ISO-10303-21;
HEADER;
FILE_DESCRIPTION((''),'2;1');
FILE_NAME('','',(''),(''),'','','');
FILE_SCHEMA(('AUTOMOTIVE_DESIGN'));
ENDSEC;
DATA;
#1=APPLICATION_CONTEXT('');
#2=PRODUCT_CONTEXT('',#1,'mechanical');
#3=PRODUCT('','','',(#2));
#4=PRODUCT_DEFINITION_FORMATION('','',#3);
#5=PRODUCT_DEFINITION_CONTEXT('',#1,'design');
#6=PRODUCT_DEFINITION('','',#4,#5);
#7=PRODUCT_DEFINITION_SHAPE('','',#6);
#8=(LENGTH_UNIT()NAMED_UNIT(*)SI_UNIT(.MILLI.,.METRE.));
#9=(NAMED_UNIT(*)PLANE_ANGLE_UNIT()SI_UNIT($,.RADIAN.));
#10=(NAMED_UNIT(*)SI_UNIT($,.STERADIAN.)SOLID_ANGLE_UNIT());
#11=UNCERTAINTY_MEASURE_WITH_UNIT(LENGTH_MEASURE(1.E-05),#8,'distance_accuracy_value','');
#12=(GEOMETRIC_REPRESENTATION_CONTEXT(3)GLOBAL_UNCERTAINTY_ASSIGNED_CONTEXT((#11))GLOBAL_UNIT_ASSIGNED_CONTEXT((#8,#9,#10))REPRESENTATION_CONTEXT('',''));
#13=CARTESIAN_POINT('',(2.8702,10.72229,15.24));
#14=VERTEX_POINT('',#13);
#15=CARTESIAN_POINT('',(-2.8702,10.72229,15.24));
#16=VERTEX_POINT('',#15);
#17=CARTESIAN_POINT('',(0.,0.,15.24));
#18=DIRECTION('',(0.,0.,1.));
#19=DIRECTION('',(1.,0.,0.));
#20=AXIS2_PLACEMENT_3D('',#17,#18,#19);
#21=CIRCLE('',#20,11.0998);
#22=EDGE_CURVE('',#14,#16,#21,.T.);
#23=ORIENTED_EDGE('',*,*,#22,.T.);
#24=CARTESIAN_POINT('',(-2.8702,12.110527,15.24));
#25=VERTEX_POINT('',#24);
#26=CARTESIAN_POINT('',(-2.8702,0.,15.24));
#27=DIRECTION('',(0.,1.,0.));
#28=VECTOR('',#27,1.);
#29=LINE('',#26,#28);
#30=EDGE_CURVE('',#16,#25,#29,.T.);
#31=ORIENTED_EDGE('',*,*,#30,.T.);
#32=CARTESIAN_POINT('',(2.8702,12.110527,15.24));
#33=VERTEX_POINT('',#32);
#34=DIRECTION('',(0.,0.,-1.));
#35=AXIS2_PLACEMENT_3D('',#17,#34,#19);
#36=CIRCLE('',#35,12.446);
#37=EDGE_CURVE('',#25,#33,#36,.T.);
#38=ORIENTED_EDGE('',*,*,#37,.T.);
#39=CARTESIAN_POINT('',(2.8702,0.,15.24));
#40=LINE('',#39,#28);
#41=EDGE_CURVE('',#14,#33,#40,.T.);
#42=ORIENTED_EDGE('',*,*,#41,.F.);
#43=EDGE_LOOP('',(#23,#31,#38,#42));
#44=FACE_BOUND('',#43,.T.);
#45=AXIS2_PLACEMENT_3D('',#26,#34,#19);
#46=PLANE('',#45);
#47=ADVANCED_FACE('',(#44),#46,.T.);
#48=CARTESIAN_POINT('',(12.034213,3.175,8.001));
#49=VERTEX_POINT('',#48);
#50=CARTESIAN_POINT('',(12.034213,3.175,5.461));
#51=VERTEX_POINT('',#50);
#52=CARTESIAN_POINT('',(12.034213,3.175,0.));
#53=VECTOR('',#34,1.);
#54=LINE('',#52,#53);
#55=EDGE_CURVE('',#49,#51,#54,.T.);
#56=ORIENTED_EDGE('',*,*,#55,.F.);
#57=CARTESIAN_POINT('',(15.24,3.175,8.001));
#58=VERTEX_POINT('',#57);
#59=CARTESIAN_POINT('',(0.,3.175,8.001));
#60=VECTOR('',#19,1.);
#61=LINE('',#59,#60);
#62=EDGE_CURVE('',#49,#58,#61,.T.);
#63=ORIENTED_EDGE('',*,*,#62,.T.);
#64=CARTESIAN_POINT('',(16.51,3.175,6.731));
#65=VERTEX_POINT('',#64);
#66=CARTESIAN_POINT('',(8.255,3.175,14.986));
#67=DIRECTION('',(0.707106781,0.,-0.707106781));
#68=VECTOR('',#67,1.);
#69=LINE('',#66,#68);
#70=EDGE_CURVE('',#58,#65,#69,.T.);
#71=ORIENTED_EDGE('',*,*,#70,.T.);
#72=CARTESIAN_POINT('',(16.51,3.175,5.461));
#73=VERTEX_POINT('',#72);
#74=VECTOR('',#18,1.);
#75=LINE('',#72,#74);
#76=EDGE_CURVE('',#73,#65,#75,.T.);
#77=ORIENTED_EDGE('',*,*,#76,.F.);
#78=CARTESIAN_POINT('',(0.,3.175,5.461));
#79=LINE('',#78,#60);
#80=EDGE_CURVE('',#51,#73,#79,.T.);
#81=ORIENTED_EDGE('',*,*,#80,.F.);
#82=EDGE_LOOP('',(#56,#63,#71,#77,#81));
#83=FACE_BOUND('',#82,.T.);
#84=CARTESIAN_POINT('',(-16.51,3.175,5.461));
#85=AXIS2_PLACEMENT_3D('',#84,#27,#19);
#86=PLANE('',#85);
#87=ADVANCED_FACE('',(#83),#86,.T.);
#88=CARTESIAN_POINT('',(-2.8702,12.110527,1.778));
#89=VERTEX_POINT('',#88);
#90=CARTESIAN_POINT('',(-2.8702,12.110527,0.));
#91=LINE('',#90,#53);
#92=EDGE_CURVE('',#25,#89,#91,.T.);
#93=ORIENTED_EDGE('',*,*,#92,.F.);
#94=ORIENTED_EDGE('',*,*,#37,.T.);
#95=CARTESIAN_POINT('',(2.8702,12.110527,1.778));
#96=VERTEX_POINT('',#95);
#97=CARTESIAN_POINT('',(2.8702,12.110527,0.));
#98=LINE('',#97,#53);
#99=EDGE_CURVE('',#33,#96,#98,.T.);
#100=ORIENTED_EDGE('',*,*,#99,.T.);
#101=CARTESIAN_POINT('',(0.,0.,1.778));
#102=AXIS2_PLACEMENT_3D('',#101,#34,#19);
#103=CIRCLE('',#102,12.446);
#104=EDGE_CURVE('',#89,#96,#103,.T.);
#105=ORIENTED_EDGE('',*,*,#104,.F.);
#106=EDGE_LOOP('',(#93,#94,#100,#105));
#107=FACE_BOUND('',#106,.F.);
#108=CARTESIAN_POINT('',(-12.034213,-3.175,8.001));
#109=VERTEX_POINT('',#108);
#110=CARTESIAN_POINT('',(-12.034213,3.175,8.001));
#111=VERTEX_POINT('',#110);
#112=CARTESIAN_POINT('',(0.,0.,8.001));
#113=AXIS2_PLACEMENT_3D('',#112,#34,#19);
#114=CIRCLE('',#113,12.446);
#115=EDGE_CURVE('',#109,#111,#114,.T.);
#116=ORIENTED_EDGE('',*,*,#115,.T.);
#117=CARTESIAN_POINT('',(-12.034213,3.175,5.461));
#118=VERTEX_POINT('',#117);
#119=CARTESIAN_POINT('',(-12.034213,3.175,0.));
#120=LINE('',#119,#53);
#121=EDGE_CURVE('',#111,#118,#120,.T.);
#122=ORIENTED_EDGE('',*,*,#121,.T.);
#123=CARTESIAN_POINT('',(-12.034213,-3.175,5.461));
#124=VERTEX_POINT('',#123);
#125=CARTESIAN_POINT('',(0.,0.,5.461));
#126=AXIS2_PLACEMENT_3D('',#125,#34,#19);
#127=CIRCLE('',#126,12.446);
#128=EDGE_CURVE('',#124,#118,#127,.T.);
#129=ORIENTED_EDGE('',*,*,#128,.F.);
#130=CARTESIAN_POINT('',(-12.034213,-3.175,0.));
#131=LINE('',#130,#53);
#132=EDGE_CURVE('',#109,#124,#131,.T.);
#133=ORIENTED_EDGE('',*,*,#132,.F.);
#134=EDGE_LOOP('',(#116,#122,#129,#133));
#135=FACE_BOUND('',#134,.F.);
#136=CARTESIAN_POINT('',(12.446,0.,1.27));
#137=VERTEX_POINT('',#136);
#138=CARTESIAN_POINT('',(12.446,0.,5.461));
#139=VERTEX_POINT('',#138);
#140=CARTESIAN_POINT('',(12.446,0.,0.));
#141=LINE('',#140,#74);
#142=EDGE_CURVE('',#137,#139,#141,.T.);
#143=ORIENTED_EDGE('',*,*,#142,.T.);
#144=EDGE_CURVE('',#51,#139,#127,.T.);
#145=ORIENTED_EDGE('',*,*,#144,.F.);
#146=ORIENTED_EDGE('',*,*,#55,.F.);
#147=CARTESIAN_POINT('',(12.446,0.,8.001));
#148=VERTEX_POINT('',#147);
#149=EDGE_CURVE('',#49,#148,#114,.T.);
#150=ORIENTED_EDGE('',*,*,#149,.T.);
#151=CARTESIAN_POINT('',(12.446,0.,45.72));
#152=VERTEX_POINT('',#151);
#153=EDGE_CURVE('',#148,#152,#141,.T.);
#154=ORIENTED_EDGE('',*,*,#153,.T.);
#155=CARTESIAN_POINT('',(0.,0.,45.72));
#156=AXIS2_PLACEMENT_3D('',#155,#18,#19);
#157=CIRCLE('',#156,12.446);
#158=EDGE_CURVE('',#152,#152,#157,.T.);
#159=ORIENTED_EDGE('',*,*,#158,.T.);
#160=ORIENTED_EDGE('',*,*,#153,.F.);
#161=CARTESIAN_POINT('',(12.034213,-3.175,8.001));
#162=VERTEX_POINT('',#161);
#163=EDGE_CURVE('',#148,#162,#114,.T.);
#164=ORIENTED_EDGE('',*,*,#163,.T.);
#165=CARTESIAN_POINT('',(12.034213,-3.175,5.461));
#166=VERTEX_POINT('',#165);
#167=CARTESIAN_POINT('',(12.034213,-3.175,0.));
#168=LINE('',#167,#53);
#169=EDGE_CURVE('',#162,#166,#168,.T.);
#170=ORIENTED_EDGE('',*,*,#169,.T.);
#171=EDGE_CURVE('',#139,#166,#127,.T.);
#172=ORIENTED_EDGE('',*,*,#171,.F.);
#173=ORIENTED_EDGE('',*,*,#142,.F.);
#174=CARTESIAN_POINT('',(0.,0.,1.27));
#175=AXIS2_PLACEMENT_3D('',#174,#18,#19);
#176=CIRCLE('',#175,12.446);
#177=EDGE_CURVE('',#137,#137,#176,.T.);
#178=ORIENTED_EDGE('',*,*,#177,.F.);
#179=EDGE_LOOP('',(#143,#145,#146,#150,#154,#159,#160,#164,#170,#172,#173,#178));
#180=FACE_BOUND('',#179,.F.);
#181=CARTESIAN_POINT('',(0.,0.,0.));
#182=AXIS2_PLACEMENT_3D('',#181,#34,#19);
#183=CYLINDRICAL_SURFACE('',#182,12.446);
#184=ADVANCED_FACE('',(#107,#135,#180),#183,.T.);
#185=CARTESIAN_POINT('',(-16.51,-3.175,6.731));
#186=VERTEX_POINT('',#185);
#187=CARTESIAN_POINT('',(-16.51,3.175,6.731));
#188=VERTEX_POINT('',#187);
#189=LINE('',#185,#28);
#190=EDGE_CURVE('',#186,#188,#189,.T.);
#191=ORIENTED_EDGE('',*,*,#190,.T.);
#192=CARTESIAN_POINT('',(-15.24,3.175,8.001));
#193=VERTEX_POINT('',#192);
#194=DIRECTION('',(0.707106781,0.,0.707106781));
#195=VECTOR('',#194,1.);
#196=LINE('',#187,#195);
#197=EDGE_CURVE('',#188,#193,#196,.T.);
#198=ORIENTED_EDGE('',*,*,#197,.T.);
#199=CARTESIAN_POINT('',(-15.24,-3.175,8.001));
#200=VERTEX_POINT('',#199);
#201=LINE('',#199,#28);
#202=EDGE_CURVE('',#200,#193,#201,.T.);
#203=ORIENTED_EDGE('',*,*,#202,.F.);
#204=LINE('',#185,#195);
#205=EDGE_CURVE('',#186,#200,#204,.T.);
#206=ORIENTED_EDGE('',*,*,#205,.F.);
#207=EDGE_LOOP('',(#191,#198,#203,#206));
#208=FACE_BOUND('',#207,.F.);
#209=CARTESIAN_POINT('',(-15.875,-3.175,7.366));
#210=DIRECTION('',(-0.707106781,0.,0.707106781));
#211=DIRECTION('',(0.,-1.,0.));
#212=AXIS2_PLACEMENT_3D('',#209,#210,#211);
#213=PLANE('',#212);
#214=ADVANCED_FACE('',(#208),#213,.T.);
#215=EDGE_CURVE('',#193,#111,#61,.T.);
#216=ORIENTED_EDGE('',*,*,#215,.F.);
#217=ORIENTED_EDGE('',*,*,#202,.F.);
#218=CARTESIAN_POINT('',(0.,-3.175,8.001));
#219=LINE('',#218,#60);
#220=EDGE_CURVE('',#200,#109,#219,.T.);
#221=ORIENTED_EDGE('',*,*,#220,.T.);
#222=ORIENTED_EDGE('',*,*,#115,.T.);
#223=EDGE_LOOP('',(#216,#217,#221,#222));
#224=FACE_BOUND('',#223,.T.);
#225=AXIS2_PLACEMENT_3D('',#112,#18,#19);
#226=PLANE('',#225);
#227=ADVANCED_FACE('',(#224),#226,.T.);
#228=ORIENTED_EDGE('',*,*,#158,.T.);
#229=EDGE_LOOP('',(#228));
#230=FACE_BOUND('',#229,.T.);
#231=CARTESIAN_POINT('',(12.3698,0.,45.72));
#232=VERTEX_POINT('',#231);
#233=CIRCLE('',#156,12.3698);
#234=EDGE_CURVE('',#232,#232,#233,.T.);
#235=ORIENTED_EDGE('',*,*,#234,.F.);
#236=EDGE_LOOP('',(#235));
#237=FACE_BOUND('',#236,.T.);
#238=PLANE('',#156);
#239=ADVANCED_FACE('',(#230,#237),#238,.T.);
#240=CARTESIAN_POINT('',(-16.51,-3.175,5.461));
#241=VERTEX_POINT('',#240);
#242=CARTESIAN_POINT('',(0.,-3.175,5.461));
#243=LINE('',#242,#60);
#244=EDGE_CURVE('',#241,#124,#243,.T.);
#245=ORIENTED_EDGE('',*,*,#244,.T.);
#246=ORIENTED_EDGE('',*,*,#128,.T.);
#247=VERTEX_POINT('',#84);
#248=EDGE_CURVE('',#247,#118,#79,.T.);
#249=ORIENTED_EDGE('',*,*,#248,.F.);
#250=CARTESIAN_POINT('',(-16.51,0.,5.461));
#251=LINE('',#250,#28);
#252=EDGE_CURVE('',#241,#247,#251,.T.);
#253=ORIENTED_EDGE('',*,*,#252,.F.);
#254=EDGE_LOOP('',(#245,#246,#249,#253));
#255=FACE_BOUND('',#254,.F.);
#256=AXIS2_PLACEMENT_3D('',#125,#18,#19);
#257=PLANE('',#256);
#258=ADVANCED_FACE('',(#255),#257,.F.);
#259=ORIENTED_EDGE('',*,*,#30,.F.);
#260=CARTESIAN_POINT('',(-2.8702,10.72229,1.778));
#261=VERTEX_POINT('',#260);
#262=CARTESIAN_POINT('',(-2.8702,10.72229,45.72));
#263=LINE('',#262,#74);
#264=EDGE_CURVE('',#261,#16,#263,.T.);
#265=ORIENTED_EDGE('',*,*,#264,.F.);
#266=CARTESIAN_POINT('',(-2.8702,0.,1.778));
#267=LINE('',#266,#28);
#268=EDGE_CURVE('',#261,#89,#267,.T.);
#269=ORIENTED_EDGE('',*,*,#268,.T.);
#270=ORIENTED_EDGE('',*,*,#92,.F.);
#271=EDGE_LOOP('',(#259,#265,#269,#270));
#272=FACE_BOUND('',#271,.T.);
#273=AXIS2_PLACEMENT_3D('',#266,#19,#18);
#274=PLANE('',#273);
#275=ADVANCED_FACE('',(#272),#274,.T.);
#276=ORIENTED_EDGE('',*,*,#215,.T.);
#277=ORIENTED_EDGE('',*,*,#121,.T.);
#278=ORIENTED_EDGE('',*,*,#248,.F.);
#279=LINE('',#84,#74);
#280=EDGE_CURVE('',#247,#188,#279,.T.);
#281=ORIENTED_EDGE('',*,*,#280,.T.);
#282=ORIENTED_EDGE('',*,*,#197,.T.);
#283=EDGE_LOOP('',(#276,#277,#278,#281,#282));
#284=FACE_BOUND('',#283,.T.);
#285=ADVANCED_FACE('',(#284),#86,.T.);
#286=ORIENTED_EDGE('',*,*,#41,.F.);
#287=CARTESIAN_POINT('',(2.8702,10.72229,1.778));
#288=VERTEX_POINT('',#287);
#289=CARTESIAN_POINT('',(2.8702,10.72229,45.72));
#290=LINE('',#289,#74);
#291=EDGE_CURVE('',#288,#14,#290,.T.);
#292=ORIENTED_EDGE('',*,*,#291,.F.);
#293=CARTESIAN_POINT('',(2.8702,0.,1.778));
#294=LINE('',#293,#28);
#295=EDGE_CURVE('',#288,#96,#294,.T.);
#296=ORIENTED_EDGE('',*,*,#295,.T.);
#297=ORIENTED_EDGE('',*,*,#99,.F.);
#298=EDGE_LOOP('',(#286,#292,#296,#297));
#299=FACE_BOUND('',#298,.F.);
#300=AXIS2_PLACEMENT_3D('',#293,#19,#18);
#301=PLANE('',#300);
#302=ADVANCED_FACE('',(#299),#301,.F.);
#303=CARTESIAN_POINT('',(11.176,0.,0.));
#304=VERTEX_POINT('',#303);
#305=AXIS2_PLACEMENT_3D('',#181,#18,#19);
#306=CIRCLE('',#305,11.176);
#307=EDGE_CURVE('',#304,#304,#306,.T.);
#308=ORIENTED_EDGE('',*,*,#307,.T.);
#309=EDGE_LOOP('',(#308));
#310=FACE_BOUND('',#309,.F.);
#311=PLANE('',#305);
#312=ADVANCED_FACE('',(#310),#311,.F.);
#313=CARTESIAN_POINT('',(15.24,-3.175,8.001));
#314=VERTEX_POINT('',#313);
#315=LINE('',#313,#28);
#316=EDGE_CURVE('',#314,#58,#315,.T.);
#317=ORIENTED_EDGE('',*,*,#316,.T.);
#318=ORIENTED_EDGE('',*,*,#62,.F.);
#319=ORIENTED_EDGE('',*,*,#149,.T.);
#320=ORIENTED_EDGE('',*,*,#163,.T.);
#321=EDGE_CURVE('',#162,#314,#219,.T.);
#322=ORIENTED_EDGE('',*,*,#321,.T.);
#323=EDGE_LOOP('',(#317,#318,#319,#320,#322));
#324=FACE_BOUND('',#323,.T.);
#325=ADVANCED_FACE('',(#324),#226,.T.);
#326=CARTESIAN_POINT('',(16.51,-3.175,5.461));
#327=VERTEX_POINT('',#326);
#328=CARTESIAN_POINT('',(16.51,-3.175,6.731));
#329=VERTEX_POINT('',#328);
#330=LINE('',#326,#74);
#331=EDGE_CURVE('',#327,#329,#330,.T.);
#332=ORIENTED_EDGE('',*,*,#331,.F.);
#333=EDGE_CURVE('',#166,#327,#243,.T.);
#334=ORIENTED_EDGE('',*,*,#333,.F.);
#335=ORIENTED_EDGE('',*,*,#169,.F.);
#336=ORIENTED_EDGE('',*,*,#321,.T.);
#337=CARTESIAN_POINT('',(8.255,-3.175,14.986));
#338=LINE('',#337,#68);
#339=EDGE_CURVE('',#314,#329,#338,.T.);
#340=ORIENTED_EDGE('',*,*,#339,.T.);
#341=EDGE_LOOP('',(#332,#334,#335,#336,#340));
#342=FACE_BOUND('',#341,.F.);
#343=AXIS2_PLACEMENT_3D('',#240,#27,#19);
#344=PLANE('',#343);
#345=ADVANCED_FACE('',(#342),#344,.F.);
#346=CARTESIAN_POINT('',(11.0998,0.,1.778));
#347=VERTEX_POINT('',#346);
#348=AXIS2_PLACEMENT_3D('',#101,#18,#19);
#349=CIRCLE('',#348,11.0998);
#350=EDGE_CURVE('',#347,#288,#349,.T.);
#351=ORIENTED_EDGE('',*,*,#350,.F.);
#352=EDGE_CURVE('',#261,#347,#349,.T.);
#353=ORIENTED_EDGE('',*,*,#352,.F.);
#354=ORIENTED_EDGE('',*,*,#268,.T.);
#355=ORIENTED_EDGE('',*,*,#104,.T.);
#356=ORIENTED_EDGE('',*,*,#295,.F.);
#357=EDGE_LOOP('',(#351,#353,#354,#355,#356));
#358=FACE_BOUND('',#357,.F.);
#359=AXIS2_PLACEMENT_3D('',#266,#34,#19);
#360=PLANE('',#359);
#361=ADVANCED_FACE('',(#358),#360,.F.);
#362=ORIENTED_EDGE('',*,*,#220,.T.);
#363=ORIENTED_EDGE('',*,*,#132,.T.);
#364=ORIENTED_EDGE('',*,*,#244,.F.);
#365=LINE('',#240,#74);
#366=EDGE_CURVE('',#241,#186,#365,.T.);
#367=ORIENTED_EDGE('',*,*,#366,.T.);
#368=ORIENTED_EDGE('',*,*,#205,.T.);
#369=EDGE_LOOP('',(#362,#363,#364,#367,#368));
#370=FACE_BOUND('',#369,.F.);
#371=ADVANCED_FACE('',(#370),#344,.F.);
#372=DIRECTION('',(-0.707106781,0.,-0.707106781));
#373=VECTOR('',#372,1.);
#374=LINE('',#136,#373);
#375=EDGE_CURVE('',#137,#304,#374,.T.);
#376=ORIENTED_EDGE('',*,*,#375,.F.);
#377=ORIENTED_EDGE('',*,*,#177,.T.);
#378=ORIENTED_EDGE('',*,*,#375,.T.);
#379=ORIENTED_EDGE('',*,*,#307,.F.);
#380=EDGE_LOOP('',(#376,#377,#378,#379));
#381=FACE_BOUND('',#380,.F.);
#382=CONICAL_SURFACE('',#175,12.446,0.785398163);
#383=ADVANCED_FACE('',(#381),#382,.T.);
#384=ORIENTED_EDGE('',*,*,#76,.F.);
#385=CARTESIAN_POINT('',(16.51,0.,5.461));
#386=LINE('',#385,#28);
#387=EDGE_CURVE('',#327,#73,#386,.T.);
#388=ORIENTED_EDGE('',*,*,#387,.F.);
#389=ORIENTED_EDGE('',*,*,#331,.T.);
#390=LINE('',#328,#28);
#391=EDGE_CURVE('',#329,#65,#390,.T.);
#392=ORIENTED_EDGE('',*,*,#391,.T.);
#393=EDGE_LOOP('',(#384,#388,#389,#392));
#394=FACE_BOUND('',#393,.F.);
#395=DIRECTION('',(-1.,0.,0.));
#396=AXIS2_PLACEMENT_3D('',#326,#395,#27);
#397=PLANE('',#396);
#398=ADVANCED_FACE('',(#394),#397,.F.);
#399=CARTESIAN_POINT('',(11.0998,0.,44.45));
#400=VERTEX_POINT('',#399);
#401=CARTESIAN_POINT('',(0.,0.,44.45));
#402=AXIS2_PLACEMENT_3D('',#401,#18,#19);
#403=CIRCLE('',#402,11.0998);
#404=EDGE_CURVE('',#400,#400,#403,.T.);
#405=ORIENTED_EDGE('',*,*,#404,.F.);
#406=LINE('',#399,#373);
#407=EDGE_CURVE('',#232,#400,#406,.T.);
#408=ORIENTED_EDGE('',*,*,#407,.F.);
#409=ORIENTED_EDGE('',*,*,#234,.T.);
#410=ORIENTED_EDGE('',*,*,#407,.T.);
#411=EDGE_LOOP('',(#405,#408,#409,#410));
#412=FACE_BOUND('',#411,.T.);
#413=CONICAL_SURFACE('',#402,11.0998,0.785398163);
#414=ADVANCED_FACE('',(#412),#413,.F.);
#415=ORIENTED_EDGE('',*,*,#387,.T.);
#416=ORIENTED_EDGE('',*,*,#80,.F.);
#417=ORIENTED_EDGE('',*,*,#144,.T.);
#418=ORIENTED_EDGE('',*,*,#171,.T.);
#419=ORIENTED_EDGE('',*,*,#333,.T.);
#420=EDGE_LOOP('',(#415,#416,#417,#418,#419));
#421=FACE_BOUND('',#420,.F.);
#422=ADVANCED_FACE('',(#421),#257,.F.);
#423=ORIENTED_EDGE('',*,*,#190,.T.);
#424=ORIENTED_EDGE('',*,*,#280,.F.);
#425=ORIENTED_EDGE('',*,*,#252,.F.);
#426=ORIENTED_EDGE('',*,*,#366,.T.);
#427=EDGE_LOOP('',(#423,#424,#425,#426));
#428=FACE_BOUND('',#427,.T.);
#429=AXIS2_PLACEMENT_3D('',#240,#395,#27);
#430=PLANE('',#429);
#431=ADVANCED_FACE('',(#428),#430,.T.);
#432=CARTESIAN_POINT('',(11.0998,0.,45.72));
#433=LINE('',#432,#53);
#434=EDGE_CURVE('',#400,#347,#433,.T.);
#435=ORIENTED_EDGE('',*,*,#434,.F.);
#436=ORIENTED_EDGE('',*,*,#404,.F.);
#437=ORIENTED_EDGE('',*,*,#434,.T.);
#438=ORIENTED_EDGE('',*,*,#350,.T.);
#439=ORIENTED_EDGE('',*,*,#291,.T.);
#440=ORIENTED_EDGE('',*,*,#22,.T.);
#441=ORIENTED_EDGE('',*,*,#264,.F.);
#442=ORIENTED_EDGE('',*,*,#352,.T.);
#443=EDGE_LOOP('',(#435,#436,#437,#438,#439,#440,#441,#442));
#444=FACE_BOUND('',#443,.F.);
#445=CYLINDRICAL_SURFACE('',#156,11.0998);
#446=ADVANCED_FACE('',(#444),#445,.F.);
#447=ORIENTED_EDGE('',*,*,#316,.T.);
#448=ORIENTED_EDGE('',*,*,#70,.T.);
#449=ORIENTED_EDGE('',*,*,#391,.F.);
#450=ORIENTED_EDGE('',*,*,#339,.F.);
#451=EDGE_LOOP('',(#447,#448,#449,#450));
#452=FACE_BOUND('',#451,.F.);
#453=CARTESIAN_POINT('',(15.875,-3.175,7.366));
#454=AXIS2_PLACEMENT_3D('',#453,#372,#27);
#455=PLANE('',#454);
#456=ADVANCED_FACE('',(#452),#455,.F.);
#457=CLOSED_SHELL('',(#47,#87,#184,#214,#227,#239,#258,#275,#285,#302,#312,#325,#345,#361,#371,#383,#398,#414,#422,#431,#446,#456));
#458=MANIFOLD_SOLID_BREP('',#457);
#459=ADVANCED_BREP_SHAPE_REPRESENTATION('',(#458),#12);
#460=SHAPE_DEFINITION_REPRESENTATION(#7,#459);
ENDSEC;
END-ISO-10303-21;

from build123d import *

# Parameters (mm, degrees)
F0_R     = 12.446
F1_DEPTH = 45.72
F3_W     = 33.02
F3_H     = 6.35
F4_DEPTH = 2.54
F5_R     = 11.0998
F6_DEPTH = 43.942
F7_W     = 5.7404
F7_H     = 13.462
F8_DEPTH = 25.4
F9_SIZE  = 1.27


with BuildPart() as f1:
    # F0 (on Top) → F1 (new body)
    with BuildSketch(Plane.XY):
        Circle(F0_R)
    extrude(amount=F1_DEPTH)

    # F3 (on offset) → F4 (join)
    with BuildSketch(Plane.XY.offset(5.461)):
        Rectangle(F3_W, F3_H)
    extrude(amount=F4_DEPTH)

    # F5 (on face) → F6 (cut)
    with BuildSketch(Plane.XY.offset(45.72)):
        Circle(F5_R)
    extrude(amount=-F6_DEPTH, mode=Mode.SUBTRACT)

    # F7 (on Front) → F8 (cut)
    with BuildSketch(Plane.XZ):
        with Locations((0, 8.509)):
            Rectangle(F7_W, F7_H)
    extrude(amount=-F8_DEPTH, mode=Mode.SUBTRACT)

    # F9
    f9_edges = [f1.edges().sort_by_distance(p)[0] for p in [
        (-12.446, 0, 0),
        (-16.51, 0, 8.001),
        (16.51, 0, 8.001),
        (-11.0998, 0, 45.72),
    ]]
    chamfer(f9_edges, length=F9_SIZE)


solid = f1.part
